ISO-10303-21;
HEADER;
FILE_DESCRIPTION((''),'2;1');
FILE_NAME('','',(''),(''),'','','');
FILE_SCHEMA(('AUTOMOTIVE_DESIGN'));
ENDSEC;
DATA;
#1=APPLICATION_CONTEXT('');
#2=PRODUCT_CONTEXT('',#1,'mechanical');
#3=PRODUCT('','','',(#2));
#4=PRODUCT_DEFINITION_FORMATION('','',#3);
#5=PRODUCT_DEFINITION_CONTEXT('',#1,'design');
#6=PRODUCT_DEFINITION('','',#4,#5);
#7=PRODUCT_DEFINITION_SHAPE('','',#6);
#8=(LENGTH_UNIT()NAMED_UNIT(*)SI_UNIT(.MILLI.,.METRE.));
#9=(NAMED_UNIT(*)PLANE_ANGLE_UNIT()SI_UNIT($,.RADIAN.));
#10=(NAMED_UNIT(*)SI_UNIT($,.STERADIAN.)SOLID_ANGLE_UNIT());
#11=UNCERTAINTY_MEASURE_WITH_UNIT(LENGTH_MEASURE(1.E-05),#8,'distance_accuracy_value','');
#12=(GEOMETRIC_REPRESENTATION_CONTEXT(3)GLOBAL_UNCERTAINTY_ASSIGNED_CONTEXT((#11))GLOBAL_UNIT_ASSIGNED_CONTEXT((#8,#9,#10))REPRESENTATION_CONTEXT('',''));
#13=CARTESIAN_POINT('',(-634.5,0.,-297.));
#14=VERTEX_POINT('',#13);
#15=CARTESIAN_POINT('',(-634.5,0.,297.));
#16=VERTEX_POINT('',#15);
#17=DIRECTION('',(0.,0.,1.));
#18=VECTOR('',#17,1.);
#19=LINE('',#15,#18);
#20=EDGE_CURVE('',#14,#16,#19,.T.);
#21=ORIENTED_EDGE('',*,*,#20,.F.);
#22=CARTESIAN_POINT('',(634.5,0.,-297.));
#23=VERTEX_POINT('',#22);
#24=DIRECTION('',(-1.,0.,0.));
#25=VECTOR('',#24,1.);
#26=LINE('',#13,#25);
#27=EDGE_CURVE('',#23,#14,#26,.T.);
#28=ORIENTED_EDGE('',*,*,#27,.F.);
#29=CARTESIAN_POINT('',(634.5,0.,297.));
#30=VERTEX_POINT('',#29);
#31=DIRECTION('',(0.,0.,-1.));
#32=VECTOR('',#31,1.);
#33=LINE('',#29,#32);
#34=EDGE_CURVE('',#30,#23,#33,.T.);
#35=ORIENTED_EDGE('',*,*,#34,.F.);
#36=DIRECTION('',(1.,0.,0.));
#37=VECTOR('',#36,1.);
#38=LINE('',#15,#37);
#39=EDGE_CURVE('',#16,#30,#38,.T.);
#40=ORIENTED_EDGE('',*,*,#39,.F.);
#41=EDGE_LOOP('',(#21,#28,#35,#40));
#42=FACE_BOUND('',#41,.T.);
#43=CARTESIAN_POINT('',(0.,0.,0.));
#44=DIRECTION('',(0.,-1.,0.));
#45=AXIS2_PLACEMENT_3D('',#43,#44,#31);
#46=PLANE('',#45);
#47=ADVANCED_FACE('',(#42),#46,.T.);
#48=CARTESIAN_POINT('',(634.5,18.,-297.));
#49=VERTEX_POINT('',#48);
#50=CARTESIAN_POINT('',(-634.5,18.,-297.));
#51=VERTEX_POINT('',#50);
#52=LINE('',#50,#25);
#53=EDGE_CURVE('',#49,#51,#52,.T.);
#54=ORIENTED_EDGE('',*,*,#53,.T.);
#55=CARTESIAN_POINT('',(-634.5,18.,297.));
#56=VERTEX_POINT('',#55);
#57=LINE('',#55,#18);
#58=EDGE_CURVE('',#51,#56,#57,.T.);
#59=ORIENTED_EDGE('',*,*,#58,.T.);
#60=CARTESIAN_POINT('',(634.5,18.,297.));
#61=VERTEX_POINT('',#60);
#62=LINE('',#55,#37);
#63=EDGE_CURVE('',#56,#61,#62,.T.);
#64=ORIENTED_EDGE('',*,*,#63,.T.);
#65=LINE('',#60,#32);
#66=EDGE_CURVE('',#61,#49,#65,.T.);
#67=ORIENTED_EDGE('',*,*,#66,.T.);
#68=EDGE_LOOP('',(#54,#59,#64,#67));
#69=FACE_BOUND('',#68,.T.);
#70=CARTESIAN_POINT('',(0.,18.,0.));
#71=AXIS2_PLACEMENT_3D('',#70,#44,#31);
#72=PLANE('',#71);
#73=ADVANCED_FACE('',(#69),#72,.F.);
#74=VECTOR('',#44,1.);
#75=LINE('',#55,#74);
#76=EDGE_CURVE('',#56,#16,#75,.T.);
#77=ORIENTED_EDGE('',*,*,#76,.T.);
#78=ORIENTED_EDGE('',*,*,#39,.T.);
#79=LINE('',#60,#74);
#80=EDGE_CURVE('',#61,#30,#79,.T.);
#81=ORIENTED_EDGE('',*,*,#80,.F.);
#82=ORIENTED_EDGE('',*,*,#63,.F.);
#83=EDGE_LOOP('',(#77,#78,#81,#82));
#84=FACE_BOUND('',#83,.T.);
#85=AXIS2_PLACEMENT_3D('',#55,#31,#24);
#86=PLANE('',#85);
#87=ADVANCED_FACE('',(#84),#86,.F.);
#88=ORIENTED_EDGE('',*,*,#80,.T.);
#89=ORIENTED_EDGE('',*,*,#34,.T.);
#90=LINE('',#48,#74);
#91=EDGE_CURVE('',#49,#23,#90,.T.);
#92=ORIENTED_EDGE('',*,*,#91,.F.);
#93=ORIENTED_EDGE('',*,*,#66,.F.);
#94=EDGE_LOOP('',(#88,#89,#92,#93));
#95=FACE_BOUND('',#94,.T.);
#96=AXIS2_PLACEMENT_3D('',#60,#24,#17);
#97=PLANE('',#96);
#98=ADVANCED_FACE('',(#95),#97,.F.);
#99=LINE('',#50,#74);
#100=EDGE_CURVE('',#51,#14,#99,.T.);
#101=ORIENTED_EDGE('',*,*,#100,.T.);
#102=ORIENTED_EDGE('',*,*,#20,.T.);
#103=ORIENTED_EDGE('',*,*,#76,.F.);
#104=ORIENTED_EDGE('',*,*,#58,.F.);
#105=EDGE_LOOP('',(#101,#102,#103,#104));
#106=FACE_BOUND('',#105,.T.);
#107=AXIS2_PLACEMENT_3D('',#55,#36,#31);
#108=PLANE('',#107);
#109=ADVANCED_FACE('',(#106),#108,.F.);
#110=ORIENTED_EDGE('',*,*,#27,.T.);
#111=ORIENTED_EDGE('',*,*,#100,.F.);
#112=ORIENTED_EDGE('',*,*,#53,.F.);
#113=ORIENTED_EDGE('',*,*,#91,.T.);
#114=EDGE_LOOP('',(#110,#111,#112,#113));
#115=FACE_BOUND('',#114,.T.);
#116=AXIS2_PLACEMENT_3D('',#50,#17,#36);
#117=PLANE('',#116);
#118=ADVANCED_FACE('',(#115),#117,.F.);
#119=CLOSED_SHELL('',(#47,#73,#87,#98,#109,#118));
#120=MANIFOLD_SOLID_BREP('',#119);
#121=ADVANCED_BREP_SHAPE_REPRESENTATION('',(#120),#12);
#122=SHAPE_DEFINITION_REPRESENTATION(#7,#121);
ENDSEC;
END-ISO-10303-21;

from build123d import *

# Parameters (mm, degrees)
SKETCH1_W           = 1269
SKETCH1_H           = 594
BOSS_EXTRUDE1_DEPTH = 18


with BuildPart() as part:
    # Sketch1 → Boss-Extrude1 (new body)
    with BuildSketch(Plane(origin=(0, 0, 0), x_dir=(1, 0, 0), z_dir=(0, 1, 0))):
        Rectangle(SKETCH1_W, SKETCH1_H)
    extrude(amount=BOSS_EXTRUDE1_DEPTH)


solid = part.part
